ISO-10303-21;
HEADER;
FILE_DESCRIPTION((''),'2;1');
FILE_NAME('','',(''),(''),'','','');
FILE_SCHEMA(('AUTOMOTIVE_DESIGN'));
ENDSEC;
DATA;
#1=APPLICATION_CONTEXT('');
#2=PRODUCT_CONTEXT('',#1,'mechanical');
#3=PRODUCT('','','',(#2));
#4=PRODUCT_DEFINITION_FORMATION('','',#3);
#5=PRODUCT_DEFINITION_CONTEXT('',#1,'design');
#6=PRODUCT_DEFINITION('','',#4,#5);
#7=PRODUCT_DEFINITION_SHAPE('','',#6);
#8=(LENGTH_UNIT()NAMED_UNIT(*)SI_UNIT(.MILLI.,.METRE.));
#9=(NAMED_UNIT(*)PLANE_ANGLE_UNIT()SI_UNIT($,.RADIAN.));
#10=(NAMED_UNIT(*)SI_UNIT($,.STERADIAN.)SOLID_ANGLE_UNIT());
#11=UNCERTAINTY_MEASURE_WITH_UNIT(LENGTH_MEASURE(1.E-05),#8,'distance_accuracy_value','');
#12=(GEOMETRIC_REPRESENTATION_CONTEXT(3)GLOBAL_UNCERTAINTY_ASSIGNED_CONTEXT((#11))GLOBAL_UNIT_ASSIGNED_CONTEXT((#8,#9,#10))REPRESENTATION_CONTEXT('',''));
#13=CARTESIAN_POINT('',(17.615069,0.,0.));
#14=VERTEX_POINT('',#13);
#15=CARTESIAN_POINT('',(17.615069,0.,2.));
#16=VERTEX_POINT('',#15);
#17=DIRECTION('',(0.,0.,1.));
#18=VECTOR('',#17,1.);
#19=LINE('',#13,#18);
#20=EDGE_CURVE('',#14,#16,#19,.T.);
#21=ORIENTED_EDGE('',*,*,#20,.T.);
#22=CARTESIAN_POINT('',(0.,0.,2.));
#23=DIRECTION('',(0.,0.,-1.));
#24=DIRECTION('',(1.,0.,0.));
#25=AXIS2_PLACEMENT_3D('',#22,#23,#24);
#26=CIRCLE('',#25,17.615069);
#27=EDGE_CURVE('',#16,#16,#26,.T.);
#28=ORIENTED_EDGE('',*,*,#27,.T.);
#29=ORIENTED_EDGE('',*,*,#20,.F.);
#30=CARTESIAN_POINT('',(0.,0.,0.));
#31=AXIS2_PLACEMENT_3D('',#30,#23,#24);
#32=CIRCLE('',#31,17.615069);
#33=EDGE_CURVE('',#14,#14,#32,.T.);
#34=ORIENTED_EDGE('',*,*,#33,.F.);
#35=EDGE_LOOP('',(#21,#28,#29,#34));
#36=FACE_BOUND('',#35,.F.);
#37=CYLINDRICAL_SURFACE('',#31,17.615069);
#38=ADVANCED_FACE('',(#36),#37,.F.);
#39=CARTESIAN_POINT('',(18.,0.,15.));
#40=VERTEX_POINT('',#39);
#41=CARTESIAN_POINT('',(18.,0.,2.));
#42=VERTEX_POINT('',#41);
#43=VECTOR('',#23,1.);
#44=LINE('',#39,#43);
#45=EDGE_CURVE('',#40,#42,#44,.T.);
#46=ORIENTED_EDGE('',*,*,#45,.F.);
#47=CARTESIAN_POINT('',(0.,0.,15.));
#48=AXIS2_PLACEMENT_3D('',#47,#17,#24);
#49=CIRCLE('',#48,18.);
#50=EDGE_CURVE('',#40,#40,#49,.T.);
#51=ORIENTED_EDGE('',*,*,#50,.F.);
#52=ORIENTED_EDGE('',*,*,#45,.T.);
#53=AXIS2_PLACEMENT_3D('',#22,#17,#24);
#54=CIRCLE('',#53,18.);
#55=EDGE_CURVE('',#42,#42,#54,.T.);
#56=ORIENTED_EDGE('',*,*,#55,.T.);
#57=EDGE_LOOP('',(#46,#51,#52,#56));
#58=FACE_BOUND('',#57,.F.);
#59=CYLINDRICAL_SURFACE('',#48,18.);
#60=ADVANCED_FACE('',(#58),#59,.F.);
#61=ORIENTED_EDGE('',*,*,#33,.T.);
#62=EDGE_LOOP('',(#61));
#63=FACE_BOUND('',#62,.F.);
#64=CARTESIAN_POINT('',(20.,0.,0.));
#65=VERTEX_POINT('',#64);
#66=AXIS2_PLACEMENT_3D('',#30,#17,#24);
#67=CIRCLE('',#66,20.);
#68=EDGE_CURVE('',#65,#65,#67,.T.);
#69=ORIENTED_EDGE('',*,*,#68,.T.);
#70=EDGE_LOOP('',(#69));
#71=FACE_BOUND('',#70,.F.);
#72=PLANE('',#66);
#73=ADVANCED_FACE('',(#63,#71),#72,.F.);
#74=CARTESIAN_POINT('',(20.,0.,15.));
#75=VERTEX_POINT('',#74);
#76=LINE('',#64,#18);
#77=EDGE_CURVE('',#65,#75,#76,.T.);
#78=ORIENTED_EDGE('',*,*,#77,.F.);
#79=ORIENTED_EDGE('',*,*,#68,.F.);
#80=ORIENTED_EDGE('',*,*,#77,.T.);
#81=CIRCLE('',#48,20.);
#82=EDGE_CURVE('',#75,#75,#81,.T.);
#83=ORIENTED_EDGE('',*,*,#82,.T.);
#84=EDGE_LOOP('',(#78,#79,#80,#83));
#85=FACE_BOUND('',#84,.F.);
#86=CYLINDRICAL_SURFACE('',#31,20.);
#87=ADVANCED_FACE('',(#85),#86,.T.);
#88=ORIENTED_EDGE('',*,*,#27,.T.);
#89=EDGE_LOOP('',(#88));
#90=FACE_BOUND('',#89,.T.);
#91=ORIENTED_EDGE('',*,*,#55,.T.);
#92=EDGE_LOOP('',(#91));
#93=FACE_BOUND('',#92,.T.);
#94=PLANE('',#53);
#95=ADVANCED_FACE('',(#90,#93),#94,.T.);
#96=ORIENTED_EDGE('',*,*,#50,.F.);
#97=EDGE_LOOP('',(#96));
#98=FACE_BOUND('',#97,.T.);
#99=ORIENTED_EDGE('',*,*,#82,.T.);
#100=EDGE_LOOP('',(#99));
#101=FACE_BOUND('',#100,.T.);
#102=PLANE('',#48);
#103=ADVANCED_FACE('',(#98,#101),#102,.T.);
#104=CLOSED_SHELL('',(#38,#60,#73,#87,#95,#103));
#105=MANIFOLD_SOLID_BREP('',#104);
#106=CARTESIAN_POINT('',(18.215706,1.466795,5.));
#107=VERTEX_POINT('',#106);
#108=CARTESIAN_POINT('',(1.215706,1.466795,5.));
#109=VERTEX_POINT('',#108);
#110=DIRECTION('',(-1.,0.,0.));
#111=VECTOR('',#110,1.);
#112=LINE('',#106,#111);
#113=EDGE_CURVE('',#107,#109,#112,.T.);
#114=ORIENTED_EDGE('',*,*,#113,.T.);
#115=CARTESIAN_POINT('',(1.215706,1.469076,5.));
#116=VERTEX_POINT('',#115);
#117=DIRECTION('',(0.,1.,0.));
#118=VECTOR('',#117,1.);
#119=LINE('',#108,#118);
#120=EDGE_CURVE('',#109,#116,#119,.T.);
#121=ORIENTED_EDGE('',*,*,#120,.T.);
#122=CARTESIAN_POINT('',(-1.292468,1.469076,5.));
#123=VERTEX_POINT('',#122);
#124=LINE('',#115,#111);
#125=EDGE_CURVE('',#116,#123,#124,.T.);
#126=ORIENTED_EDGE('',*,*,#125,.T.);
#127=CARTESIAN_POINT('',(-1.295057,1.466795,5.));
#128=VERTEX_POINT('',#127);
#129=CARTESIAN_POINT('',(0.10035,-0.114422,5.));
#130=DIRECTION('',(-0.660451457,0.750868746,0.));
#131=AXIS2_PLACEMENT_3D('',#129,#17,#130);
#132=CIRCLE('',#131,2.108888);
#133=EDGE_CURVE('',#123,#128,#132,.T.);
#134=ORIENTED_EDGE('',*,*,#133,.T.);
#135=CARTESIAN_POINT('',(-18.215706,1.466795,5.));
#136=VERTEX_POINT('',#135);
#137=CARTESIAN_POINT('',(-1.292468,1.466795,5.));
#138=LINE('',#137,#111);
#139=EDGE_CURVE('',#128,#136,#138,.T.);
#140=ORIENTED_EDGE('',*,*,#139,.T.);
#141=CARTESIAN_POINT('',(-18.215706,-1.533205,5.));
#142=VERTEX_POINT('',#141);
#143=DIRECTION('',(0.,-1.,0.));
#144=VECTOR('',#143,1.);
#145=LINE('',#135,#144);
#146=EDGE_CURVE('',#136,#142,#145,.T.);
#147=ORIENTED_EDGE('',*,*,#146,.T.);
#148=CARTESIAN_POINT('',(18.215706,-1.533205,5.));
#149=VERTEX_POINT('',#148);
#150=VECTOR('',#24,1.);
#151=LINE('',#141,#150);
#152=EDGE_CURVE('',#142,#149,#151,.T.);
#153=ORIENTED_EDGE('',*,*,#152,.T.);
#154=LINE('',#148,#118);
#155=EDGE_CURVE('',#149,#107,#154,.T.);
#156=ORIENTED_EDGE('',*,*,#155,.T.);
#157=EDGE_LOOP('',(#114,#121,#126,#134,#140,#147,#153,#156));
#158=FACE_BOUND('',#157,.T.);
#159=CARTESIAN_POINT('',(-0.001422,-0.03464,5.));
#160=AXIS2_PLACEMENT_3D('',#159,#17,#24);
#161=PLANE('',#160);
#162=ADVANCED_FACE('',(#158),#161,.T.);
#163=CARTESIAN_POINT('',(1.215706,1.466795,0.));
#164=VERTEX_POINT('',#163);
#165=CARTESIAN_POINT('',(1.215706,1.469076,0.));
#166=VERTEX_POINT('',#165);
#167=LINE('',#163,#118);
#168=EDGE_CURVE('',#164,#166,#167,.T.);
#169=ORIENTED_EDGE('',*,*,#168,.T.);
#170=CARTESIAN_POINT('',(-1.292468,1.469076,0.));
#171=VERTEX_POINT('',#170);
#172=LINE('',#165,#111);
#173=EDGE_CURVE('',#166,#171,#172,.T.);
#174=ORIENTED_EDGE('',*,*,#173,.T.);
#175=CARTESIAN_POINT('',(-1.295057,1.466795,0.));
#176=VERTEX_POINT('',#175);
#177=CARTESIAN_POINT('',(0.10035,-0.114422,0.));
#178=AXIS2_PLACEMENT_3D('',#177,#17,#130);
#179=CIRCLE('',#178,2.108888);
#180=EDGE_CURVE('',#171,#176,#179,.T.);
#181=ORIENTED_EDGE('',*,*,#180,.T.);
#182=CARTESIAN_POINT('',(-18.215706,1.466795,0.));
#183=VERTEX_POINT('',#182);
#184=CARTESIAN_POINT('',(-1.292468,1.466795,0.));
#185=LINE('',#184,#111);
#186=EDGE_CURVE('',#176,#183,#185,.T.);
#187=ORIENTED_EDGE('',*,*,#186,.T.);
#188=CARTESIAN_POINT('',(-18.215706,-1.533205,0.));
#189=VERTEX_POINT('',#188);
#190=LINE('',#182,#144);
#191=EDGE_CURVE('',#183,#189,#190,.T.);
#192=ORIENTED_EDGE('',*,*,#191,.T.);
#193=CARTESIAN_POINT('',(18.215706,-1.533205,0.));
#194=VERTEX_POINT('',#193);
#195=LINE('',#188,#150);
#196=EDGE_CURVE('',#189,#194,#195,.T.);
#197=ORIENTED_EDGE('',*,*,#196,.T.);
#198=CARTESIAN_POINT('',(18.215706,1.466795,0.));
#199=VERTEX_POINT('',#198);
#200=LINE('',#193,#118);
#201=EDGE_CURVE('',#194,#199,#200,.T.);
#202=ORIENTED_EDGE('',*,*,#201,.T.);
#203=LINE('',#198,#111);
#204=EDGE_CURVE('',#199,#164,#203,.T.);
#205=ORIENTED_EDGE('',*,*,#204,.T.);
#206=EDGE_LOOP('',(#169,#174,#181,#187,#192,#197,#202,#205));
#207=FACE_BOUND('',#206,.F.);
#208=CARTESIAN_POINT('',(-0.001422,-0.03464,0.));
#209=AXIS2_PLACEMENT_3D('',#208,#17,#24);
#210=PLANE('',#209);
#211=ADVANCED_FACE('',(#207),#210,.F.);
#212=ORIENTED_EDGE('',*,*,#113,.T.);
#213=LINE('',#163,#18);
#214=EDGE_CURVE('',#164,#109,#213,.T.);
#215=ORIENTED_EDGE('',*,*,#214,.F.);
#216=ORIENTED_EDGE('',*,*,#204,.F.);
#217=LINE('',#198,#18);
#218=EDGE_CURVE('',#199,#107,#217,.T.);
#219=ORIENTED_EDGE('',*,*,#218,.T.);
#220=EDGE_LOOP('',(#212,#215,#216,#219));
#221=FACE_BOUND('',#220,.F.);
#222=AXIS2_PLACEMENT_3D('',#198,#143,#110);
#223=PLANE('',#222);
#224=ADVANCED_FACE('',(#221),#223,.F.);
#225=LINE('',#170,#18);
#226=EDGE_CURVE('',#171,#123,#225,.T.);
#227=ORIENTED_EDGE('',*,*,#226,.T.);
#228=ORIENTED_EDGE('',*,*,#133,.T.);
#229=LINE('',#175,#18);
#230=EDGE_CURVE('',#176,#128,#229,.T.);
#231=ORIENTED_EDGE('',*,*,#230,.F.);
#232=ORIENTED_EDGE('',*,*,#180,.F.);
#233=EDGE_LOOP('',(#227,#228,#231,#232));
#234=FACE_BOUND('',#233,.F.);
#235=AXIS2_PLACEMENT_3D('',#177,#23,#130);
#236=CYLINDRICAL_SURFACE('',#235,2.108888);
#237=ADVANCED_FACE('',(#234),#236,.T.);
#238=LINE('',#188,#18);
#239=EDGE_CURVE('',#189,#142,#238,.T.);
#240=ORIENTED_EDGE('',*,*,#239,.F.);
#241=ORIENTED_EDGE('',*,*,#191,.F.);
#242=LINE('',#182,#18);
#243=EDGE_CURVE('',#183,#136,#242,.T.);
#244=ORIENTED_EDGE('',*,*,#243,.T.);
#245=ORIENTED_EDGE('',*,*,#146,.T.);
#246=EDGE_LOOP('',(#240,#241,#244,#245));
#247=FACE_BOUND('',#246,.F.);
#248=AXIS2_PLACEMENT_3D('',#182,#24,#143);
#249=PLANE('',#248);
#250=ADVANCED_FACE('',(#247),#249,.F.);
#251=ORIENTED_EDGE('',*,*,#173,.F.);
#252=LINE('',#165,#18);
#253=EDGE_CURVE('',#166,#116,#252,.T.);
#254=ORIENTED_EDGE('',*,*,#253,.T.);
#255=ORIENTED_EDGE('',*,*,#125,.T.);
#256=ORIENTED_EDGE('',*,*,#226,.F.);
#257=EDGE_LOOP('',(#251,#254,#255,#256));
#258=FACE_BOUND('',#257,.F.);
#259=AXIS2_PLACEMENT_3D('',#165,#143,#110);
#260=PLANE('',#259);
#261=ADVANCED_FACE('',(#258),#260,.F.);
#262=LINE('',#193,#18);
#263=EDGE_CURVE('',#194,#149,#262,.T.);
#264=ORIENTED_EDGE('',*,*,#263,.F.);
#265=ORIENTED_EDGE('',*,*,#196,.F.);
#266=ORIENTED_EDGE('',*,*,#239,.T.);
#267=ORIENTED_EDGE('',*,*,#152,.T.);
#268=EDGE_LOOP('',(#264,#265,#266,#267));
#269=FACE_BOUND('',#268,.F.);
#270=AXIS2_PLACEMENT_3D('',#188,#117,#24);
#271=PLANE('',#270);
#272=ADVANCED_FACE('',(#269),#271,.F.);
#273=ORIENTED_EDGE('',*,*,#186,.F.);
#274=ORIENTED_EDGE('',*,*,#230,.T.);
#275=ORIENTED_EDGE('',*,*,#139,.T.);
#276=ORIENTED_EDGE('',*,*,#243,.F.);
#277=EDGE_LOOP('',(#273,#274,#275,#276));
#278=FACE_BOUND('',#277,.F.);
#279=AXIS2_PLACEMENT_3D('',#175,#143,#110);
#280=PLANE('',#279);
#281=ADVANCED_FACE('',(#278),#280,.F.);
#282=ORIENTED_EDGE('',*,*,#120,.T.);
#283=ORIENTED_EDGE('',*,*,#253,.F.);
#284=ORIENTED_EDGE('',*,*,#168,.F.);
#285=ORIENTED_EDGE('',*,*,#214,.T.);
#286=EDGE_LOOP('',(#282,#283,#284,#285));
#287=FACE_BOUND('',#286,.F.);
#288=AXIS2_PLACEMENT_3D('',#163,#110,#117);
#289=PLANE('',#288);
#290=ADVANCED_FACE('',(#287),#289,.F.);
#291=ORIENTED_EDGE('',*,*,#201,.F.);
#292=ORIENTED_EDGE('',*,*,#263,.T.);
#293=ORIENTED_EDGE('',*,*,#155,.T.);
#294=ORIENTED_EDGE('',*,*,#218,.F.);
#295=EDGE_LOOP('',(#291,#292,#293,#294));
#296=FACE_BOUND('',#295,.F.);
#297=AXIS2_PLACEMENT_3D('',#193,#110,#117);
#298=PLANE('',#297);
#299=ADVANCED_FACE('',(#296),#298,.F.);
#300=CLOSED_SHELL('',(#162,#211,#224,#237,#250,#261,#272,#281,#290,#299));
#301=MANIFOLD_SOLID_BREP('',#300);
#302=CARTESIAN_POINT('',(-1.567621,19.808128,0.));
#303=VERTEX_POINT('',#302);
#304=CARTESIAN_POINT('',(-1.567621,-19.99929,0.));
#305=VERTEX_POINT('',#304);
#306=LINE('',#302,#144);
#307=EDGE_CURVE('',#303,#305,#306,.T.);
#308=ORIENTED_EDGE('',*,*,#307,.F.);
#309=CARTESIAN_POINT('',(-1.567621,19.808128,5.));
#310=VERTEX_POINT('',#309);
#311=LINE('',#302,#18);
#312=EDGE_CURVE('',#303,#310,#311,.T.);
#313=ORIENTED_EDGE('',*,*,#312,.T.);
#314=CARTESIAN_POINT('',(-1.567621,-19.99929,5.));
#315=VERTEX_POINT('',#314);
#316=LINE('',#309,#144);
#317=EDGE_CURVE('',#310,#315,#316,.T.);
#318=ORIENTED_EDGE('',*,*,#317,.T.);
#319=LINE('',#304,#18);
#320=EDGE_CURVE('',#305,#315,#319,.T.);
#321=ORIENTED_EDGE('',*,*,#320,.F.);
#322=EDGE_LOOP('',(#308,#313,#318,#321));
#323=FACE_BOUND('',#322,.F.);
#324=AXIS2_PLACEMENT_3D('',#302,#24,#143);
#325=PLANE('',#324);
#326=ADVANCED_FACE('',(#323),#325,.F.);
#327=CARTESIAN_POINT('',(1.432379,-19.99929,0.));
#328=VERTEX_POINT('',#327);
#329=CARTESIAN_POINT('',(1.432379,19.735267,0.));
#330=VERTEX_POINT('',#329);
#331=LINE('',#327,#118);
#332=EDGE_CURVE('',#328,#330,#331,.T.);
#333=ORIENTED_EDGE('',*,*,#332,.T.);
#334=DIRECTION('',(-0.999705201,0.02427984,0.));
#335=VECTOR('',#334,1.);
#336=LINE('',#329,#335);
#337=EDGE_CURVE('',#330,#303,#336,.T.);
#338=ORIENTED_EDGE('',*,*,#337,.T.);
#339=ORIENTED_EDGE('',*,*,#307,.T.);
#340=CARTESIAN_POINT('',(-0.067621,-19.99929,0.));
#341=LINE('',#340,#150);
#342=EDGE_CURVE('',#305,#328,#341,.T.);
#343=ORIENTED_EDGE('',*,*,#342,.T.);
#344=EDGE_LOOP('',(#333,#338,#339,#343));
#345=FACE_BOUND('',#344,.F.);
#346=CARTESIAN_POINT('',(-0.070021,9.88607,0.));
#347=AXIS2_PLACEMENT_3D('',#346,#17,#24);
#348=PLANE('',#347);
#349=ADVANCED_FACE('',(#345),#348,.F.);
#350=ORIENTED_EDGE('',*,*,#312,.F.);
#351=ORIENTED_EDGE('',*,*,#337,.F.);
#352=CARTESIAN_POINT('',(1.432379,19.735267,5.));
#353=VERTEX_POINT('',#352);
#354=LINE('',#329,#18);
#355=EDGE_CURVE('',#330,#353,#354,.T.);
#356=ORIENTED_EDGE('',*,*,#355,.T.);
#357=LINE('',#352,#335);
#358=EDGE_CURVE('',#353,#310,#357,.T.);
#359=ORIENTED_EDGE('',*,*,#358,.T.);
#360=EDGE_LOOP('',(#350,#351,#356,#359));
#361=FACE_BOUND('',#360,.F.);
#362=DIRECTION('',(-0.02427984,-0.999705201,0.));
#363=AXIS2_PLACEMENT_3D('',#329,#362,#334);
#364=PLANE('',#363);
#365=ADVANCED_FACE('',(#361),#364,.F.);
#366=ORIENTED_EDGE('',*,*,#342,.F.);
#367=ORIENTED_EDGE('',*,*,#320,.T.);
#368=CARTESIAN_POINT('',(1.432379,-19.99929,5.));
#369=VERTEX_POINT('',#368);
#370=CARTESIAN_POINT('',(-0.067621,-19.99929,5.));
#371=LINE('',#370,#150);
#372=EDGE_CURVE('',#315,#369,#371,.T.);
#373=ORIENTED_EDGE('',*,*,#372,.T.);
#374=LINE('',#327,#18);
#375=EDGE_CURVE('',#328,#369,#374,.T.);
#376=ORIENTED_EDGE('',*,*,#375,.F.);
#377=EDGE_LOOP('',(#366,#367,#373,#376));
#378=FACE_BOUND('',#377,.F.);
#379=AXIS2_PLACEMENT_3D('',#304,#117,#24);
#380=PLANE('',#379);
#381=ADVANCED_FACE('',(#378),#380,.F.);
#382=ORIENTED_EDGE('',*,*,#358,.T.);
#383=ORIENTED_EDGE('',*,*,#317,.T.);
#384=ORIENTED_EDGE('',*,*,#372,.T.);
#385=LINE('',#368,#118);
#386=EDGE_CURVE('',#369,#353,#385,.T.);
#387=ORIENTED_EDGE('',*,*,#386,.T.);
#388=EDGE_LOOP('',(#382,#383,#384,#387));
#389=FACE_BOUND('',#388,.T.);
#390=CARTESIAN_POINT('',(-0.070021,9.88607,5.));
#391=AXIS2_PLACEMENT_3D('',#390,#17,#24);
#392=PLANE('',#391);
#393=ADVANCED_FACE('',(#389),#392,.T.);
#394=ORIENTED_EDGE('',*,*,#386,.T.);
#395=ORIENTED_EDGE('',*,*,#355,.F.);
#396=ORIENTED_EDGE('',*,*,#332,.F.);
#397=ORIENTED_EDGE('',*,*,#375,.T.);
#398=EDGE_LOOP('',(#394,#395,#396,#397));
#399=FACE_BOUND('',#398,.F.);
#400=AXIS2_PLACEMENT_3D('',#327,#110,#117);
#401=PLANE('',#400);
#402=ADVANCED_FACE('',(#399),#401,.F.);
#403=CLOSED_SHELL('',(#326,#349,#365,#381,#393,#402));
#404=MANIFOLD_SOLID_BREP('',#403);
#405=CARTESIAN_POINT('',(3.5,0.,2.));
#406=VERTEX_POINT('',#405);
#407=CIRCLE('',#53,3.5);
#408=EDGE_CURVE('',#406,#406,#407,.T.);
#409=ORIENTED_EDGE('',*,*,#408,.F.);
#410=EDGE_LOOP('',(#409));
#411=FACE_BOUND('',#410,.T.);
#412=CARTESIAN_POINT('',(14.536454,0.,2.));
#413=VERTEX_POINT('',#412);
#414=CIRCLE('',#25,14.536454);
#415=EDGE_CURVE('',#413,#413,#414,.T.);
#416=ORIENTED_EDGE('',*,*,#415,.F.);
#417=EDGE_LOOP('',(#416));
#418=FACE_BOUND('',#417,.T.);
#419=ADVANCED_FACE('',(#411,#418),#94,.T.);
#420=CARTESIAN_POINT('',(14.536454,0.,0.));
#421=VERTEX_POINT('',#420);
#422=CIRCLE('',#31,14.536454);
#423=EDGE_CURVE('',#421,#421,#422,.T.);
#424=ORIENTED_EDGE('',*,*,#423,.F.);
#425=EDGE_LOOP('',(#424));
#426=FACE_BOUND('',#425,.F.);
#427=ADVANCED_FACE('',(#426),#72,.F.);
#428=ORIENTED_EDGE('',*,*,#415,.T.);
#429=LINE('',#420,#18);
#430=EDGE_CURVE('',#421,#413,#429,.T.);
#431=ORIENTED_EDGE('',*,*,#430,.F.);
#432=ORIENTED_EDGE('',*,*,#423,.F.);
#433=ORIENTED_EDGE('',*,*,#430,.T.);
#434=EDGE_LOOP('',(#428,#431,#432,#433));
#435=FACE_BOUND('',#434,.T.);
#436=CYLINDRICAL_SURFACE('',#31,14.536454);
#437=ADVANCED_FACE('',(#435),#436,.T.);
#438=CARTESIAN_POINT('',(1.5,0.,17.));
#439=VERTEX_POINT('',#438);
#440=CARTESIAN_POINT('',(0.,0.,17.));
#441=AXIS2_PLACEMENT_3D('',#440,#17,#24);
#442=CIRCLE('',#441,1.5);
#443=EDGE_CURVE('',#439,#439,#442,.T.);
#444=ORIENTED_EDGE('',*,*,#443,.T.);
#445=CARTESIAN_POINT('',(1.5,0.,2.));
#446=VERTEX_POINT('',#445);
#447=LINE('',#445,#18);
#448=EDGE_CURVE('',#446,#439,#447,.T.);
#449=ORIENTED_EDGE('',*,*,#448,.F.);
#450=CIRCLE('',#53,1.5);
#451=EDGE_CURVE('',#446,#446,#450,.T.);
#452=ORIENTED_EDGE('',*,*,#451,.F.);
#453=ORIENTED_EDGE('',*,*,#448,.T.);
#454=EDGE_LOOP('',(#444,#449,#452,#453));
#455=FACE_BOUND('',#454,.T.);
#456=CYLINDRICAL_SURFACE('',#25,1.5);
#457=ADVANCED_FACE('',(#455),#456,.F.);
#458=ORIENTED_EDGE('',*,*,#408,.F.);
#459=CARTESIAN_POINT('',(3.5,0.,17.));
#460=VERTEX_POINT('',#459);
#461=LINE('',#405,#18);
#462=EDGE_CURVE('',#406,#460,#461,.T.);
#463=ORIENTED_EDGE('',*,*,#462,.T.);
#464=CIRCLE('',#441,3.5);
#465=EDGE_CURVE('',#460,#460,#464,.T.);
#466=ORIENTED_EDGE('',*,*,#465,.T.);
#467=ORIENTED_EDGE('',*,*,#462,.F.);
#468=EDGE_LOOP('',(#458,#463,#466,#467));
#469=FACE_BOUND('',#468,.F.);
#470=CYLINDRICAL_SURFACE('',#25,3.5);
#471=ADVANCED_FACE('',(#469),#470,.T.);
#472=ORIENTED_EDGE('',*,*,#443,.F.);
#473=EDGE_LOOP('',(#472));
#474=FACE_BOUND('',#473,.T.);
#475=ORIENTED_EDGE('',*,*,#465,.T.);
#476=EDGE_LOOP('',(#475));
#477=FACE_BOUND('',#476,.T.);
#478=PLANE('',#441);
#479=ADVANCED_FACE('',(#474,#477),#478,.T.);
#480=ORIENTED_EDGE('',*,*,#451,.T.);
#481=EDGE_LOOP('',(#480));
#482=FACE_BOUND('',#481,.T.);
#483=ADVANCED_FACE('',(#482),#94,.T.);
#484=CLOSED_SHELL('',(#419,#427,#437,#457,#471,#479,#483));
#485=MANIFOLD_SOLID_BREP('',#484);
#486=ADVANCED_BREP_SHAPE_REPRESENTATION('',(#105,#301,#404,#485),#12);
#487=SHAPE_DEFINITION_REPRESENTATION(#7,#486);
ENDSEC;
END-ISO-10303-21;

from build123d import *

# Parameters (mm, degrees)
F0_R      = 20
F1_DEPTH  = 15
F2_R      = 18
F3_DEPTH  = 13
F4_R      = 3.5
F4_R_2    = 1.5
F5_DEPTH  = 15
F6_R      = 17.615069
F6_R_2    = 14.536454
F7_DEPTH  = 25
F8_DEPTH  = 25
F9_W      = 3
F9_H      = 19.99929
F10_DEPTH = 5
F12_DEPTH = 5


with BuildPart() as f1:
    # F0 (on Top) → F1 (new body)
    with BuildSketch(Plane.XY):
        Circle(F0_R)
    extrude(amount=F1_DEPTH)

    # F2 (on face) → F3 (cut)
    with BuildSketch(Plane.XY.offset(15)):
        Circle(F2_R)
    extrude(amount=-F3_DEPTH, mode=Mode.SUBTRACT)

    # F4 (on face) → F5 (join)
    with BuildSketch(Plane.XY.offset(2)):
        Circle(F4_R)
        Circle(F4_R_2, mode=Mode.SUBTRACT)
    extrude(amount=F5_DEPTH)

    # F6 (on face) → F7 (cut)
    with BuildSketch(Plane(origin=(0, 0, 0), x_dir=(1, 0, 0), z_dir=(0, 0, -1))):
        Circle(F6_R)
        Circle(F6_R_2, mode=Mode.SUBTRACT)
    extrude(amount=-F7_DEPTH, mode=Mode.SUBTRACT)

    # F6 (on face) → F8 (cut)
    with BuildSketch(Plane(origin=(0, 0, 0), x_dir=(1, 0, 0), z_dir=(0, 0, -1))):
        Circle(F6_R)
        Circle(F6_R_2, mode=Mode.SUBTRACT)
    extrude(amount=-F8_DEPTH, mode=Mode.SUBTRACT)


with BuildPart() as f10:
    # F9 (on Top) → F10 (new body)
    with BuildSketch(Plane.XY):
        Polygon((-1.567621, 19.808128), (-1.567621, 0), (1.432379, 0), (1.432379, 19.735267), align=None)
        with Locations((-0.067621, -9.999645)):
            Rectangle(F9_W, F9_H)
    extrude(amount=F10_DEPTH)


with BuildPart() as f12:
    # F11 (on Top) → F12 (new body)
    with BuildSketch(Plane.XY):
        with BuildLine():
            Line((-1.292468, -1.533205), (-1.292468, -1.469076))
            ThreePointArc((-1.292468, -1.469076), (-1.254497, -1.501632), (-1.215706, -1.533205))
            Line((-1.215706, -1.533205), (1.215706, -1.533205))
            Line((1.215706, -1.533205), (18.215706, -1.533205))
            Line((18.215706, -1.533205), (18.215706, 1.466795))
            Line((18.215706, 1.466795), (1.215706, 1.466795))
            Line((1.215706, 1.466795), (1.215706, 1.469076))
            Line((1.215706, 1.469076), (-1.292468, 1.469076))
            Line((-1.292468, 1.469076), (-1.292468, 1.466795))
            Line((-1.292468, 1.466795), (-1.295057, 1.466795))
            Line((-1.295057, 1.466795), (-18.215706, 1.466795))
            Line((-18.215706, 1.466795), (-18.215706, -1.533205))
            Line((-18.215706, -1.533205), (-1.292468, -1.533205))
        make_face()
        with BuildLine():
            ThreePointArc((-1.215706, -1.533205), (-1.254497, -1.501632), (-1.292468, -1.469076))
            Line((-1.292468, -1.469076), (-1.292468, -1.533205))
            Line((-1.292468, -1.533205), (-1.215706, -1.533205))
        make_face()
        with BuildLine():
            ThreePointArc((-1.292468, 1.469076), (-1.293763, 1.467936), (-1.295057, 1.466795))
            Line((-1.295057, 1.466795), (-1.292468, 1.466795))
            Line((-1.292468, 1.466795), (-1.292468, 1.469076))
        make_face()
    extrude(amount=F12_DEPTH)


solid = Compound([f1.part, f10.part, f12.part])
